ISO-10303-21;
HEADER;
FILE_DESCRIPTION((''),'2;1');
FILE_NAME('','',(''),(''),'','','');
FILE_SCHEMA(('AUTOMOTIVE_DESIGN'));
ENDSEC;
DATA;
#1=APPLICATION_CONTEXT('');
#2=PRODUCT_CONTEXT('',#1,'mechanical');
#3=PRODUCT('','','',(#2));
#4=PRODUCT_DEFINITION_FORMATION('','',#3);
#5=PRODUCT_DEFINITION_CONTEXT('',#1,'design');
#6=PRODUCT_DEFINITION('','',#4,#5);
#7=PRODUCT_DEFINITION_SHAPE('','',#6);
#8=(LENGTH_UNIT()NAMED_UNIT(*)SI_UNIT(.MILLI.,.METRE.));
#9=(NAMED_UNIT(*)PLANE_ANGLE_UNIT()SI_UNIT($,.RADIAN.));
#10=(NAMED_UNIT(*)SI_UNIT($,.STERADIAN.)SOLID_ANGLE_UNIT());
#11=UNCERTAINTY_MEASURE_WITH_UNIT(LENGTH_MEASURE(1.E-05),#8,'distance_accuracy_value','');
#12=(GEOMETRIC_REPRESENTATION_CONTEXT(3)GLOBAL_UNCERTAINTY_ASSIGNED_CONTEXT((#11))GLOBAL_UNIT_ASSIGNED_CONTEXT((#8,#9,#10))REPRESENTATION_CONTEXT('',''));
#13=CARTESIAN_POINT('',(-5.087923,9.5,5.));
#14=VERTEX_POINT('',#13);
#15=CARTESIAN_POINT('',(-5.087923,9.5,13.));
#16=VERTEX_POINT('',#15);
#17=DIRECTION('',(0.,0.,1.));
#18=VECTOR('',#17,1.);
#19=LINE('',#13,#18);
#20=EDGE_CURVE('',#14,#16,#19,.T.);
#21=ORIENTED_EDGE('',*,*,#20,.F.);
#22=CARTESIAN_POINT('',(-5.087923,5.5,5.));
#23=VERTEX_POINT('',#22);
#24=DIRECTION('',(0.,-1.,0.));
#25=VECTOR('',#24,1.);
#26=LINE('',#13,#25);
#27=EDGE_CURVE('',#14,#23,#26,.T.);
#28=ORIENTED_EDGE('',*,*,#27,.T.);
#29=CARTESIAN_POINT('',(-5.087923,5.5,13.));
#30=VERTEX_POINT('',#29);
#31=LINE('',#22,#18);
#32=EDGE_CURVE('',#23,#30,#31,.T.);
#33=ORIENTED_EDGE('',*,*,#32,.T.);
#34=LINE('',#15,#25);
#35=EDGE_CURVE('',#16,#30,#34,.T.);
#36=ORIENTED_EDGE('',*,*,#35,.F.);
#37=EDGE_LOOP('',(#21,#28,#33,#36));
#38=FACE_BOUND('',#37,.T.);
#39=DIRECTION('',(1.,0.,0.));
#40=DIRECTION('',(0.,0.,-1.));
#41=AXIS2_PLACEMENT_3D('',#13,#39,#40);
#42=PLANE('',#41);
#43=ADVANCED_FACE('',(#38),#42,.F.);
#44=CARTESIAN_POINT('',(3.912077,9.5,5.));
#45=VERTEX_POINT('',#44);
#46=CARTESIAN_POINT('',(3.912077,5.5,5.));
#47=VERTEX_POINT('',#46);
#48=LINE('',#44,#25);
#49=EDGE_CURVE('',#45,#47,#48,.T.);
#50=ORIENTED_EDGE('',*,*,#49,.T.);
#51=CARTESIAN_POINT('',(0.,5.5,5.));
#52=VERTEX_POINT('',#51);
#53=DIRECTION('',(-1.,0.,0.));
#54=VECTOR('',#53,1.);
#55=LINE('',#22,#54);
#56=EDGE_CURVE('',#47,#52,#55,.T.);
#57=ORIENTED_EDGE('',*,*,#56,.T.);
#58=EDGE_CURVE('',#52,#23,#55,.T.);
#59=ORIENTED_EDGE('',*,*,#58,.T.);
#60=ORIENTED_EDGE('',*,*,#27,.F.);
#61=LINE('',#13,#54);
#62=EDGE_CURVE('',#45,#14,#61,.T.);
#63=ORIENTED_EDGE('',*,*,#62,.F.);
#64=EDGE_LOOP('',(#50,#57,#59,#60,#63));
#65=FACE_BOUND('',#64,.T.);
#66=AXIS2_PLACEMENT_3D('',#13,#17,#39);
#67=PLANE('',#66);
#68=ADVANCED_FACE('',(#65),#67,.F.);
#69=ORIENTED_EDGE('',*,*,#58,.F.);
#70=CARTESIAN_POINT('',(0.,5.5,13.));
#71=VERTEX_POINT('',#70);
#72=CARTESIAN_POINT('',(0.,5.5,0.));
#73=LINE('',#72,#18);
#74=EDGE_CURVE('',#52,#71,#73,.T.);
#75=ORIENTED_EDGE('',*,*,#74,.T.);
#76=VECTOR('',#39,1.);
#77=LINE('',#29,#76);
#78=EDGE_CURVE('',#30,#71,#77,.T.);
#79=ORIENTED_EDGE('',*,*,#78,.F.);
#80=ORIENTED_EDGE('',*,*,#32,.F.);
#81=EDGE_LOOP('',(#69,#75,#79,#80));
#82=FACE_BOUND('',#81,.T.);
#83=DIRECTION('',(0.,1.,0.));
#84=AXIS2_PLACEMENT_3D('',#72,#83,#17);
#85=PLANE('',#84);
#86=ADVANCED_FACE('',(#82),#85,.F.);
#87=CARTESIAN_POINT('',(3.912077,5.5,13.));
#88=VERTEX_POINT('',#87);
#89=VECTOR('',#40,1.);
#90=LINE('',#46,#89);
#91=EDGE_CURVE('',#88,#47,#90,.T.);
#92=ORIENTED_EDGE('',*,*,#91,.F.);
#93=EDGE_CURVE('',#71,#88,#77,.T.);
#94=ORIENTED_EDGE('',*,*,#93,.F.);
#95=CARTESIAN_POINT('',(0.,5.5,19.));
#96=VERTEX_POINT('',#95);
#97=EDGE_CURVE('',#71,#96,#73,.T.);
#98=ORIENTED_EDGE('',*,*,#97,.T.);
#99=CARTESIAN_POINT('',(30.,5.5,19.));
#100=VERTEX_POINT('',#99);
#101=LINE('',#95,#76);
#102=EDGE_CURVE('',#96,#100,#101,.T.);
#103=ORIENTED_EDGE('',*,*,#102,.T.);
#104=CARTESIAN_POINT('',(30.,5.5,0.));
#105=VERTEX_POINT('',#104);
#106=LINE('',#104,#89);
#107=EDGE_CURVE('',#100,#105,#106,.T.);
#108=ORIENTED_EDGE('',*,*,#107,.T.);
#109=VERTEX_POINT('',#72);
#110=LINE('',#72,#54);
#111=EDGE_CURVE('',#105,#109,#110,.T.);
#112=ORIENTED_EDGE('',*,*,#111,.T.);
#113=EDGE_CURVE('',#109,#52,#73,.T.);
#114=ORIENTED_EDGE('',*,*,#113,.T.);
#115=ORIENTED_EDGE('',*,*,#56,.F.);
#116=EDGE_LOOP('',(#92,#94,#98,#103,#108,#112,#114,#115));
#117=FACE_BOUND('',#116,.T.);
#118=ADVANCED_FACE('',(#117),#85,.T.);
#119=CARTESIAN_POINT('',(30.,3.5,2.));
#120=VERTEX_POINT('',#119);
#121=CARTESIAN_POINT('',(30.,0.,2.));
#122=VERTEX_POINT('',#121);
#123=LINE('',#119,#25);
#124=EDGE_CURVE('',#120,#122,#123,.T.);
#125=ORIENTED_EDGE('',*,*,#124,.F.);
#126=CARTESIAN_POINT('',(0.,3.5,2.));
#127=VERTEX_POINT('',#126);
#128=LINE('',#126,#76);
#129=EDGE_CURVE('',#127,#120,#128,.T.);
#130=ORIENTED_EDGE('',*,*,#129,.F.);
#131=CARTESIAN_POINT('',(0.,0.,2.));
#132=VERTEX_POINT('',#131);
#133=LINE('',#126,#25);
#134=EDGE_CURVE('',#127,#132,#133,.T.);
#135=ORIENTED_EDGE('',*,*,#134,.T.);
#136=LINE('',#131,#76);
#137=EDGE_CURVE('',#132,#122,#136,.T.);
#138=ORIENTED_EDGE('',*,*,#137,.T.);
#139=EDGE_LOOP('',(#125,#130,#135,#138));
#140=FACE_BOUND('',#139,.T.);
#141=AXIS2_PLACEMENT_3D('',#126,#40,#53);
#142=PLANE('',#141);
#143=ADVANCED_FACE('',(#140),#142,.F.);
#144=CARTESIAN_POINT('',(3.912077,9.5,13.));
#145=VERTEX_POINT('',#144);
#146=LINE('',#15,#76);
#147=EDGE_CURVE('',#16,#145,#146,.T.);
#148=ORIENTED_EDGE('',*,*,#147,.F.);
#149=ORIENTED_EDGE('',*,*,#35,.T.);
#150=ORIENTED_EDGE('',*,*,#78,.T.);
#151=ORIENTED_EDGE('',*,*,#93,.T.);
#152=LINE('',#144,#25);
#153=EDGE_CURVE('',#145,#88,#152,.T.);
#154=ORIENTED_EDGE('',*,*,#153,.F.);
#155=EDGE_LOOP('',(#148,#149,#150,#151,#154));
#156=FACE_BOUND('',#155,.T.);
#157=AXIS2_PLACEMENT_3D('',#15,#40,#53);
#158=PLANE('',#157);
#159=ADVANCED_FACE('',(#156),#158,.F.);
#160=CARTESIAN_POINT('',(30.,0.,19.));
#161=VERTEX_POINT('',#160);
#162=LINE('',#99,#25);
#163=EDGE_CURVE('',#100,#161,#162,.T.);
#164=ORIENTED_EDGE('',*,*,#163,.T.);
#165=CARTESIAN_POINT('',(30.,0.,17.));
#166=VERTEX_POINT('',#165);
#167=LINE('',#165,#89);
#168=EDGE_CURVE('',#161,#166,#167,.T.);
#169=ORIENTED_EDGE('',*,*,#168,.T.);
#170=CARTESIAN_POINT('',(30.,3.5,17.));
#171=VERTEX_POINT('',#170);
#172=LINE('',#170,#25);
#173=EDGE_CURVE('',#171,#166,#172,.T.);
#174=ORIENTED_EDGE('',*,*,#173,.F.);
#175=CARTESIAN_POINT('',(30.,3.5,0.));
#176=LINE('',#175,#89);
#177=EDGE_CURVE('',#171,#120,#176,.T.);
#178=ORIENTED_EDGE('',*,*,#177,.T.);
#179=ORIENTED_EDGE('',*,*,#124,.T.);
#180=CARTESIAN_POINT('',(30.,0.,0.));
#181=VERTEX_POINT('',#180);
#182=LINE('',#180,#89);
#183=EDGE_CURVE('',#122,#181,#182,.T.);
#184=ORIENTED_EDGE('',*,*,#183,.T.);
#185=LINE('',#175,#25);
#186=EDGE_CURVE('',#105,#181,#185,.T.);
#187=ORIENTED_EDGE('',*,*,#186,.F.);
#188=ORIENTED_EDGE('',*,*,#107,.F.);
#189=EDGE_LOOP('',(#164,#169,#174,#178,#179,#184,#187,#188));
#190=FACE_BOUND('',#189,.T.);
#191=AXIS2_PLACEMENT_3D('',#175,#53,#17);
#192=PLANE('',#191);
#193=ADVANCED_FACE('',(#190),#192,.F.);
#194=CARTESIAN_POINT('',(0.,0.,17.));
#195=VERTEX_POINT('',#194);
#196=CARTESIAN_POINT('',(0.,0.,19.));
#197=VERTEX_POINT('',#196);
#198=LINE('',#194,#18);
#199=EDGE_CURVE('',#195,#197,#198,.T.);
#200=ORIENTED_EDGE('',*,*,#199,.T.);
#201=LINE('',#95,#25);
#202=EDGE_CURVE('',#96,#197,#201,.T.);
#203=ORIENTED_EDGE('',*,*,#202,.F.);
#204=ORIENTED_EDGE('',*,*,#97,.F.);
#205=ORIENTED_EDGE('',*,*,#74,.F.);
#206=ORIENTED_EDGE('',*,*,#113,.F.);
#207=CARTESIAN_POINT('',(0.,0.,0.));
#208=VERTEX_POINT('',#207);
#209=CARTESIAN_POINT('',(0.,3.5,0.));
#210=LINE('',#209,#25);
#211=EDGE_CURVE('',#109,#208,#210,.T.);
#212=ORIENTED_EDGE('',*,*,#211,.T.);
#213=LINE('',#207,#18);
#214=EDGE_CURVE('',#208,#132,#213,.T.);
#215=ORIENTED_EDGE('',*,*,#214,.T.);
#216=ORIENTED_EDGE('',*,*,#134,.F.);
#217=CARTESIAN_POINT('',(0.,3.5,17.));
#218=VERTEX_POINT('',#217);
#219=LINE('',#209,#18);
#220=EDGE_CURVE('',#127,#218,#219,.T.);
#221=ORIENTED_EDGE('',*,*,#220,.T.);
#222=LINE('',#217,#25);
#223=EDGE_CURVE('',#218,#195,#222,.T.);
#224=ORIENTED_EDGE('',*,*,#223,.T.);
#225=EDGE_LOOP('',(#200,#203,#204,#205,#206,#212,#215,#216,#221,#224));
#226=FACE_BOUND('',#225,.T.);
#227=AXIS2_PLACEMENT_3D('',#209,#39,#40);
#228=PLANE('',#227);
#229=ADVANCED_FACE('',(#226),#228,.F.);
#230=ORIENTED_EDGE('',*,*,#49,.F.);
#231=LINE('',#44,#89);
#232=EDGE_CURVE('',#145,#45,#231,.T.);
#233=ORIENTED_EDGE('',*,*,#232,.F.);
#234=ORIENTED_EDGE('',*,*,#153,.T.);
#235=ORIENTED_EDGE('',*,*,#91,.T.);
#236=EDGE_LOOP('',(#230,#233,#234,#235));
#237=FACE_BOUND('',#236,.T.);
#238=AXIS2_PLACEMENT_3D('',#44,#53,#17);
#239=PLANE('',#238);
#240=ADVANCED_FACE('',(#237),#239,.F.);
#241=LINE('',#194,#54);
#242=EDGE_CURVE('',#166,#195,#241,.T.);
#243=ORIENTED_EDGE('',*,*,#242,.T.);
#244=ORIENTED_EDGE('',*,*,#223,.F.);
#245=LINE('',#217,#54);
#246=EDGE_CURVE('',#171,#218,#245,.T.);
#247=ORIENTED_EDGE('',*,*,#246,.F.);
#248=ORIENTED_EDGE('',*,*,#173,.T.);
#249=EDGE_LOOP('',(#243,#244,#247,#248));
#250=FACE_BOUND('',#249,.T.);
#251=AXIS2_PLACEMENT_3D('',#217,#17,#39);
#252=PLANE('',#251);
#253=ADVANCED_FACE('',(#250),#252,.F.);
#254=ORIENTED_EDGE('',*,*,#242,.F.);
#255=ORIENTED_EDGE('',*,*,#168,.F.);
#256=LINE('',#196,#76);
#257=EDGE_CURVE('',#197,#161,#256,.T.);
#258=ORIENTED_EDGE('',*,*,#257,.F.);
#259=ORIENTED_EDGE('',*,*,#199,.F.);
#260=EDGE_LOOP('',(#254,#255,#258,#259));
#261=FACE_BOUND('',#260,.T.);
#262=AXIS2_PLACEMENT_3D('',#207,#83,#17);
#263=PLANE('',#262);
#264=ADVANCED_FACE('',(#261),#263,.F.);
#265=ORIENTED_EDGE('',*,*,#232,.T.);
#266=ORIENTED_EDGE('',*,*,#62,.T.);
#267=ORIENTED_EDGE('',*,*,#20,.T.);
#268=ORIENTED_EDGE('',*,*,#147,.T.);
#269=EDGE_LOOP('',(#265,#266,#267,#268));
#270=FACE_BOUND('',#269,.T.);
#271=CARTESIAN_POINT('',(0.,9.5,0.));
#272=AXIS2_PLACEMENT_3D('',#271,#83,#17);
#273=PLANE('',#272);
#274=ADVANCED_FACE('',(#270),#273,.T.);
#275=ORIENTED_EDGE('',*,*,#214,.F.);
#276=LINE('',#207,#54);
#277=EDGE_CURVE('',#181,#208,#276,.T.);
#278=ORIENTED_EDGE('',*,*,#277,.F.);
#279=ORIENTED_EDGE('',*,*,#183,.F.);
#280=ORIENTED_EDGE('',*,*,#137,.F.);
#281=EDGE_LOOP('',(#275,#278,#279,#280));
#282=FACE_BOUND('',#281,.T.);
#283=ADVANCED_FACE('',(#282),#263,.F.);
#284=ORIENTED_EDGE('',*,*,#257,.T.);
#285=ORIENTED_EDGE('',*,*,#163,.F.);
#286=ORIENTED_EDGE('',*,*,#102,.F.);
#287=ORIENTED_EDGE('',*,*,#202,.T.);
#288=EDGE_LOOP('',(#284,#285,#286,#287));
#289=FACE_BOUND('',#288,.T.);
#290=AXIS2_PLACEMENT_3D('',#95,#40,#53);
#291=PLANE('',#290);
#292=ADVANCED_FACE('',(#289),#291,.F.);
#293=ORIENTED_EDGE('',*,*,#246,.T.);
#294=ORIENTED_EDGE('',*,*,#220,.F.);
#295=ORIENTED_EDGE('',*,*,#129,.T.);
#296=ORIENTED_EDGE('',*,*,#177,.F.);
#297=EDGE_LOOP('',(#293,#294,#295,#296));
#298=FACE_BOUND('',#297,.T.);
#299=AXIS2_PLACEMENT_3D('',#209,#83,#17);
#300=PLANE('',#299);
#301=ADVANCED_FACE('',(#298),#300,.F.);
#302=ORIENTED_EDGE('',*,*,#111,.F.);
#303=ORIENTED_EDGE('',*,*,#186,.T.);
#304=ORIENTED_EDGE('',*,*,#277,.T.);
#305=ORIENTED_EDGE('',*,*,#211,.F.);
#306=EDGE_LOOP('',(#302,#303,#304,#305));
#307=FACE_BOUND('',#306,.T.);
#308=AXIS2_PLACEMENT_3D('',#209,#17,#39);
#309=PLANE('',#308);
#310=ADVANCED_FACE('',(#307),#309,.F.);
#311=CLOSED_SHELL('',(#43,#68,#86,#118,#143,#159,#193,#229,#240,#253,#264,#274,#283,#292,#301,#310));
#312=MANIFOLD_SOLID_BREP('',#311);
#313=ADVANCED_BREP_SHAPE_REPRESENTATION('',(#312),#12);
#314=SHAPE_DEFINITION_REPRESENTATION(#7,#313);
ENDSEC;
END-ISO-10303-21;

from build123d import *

# Parameters (mm, degrees)
SKETCH1_W             = 30
SKETCH1_H             = 2
BOSS_EXTRUDE1_DEPTH   = 3.5
BOSS_EXTRUDE1_2_DEPTH = 3.5
SKETCH2_W             = 30
SKETCH2_H             = 19
BOSS_EXTRUDE2_DEPTH   = 2
SKETCH3_W             = 9
SKETCH3_H             = 8
BOSS_EXTRUDE3_DEPTH   = 4


with BuildPart() as part:
    # Sketch1 → Boss-Extrude1 (new body)
    with BuildSketch(Plane(origin=(0, 0, 0), x_dir=(1, 0, 0), z_dir=(0, 1, 0))):
        with Locations((15, -1)):
            Rectangle(SKETCH1_W, SKETCH1_H)
    extrude(amount=BOSS_EXTRUDE1_DEPTH)



with BuildPart() as body_2:
    # Sketch1 → Boss-Extrude1 2 (new body)
    with BuildSketch(Plane(origin=(0, 0, 0), x_dir=(1, 0, 0), z_dir=(0, 1, 0))):
        with Locations((15, -18)):
            Rectangle(SKETCH1_W, SKETCH1_H)
    extrude(amount=BOSS_EXTRUDE1_2_DEPTH)


with BuildPart() as part_1:
    add(part.part)

    add(body_2.part)  # Boss-Extrude2 merges body 2
    # Sketch2 → Boss-Extrude2 (add)
    with BuildSketch(Plane(origin=(0, 3.5, 0), x_dir=(1, 0, 0), z_dir=(0, 1, 0))):
        with Locations((15, -9.5)):
            Rectangle(SKETCH2_W, SKETCH2_H)
    extrude(amount=BOSS_EXTRUDE2_DEPTH)

    # Sketch3 → Boss-Extrude3 (add)
    with BuildSketch(Plane(origin=(0, 5.5, 0), x_dir=(1, 0, 0), z_dir=(0, 1, 0))):
        with Locations((-0.587922654, -9)):
            Rectangle(SKETCH3_W, SKETCH3_H)
    extrude(amount=BOSS_EXTRUDE3_DEPTH)


solid = part_1.part
